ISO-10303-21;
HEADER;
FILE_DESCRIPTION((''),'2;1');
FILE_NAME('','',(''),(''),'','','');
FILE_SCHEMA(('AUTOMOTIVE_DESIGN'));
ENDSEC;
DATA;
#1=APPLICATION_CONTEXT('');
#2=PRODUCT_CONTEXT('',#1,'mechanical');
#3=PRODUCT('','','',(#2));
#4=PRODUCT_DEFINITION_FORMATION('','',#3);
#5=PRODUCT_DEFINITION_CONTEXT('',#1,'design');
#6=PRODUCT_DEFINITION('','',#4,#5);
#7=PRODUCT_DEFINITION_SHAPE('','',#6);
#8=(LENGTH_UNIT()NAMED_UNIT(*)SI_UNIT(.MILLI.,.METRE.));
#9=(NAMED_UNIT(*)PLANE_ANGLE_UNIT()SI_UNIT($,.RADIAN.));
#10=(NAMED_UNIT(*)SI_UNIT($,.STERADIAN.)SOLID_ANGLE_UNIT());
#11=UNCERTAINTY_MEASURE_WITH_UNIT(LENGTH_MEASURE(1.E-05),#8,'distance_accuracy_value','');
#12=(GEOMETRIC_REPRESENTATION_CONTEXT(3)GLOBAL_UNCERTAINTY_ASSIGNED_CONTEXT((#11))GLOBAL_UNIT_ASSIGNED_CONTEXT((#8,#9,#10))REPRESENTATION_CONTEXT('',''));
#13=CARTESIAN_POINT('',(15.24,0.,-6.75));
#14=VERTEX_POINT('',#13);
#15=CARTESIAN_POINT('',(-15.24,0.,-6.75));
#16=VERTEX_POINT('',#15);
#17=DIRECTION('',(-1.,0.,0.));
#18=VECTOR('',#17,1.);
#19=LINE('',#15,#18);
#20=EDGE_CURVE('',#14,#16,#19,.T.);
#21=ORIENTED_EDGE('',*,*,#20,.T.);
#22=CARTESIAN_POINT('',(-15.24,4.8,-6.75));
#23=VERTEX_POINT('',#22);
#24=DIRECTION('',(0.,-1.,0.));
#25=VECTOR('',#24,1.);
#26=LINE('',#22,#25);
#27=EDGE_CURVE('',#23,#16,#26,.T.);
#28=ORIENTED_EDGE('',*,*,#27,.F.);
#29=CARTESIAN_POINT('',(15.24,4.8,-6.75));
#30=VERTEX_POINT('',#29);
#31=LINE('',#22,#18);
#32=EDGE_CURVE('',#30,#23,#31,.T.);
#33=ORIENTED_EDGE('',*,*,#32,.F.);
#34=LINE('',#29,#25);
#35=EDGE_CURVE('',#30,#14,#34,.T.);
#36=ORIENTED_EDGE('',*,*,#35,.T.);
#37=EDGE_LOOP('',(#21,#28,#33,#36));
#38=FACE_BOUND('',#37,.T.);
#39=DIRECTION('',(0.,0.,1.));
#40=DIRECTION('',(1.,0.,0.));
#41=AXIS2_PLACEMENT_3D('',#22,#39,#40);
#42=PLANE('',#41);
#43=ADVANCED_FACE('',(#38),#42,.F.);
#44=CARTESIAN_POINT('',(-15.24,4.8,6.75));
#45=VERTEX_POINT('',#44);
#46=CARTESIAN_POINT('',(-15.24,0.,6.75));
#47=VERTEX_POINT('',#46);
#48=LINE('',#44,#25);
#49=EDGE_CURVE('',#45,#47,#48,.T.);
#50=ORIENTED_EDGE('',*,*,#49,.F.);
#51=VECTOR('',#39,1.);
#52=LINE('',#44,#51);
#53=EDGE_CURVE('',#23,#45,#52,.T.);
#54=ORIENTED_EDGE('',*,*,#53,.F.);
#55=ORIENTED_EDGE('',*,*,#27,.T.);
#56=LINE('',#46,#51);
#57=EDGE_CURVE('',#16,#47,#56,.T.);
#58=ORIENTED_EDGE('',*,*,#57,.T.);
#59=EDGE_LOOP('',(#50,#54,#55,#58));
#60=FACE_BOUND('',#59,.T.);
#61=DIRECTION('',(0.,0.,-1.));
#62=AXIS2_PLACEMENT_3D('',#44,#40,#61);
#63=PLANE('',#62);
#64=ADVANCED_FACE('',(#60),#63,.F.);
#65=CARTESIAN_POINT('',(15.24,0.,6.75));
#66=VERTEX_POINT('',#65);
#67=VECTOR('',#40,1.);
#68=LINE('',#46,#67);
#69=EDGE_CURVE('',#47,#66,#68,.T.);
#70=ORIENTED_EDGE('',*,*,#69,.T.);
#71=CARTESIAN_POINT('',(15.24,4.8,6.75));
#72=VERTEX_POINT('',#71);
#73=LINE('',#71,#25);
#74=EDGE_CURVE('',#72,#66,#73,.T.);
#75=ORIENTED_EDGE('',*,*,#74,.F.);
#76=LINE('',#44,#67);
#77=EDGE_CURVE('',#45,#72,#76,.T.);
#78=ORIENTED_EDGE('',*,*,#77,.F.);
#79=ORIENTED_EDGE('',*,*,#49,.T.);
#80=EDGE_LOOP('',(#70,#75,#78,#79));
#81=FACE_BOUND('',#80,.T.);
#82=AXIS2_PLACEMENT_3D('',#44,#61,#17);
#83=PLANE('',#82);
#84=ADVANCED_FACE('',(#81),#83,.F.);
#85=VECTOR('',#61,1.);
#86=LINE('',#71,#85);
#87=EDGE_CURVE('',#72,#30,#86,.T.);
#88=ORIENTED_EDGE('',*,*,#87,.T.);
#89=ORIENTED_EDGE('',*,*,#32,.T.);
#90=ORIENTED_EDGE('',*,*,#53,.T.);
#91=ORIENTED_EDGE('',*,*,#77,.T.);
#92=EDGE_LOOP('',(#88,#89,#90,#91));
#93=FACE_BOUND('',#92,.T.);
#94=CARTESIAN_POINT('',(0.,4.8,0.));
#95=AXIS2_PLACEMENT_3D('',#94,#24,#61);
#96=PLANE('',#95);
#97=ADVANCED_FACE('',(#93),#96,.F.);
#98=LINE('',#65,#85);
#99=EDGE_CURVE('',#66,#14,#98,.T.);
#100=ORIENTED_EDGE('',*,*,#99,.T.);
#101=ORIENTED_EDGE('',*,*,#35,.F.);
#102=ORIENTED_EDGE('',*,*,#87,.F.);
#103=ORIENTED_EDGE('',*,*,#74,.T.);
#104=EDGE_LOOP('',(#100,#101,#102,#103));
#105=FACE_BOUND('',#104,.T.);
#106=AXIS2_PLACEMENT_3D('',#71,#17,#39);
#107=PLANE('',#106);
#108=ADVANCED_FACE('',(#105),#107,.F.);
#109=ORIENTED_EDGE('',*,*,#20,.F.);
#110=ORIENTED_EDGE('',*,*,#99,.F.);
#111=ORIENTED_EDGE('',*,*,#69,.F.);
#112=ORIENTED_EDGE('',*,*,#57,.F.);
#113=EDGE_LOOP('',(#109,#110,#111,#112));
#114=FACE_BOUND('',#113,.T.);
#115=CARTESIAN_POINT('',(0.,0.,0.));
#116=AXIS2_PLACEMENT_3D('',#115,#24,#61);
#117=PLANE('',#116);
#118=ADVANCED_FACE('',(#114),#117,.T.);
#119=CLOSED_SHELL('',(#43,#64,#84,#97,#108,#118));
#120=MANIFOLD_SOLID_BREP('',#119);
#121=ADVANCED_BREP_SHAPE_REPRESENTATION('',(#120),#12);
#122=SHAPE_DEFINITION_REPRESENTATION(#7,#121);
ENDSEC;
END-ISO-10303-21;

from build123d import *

# Parameters (mm, degrees)
SKETCH1_W           = 30.48
SKETCH1_H           = 13.5
BOSS_EXTRUDE1_DEPTH = 4.8


with BuildPart() as part:
    # Sketch1 → Boss-Extrude1 (new body)
    with BuildSketch(Plane(origin=(0, 0, 0), x_dir=(1, 0, 0), z_dir=(0, 1, 0))):
        Rectangle(SKETCH1_W, SKETCH1_H)
    extrude(amount=BOSS_EXTRUDE1_DEPTH)


solid = part.part
